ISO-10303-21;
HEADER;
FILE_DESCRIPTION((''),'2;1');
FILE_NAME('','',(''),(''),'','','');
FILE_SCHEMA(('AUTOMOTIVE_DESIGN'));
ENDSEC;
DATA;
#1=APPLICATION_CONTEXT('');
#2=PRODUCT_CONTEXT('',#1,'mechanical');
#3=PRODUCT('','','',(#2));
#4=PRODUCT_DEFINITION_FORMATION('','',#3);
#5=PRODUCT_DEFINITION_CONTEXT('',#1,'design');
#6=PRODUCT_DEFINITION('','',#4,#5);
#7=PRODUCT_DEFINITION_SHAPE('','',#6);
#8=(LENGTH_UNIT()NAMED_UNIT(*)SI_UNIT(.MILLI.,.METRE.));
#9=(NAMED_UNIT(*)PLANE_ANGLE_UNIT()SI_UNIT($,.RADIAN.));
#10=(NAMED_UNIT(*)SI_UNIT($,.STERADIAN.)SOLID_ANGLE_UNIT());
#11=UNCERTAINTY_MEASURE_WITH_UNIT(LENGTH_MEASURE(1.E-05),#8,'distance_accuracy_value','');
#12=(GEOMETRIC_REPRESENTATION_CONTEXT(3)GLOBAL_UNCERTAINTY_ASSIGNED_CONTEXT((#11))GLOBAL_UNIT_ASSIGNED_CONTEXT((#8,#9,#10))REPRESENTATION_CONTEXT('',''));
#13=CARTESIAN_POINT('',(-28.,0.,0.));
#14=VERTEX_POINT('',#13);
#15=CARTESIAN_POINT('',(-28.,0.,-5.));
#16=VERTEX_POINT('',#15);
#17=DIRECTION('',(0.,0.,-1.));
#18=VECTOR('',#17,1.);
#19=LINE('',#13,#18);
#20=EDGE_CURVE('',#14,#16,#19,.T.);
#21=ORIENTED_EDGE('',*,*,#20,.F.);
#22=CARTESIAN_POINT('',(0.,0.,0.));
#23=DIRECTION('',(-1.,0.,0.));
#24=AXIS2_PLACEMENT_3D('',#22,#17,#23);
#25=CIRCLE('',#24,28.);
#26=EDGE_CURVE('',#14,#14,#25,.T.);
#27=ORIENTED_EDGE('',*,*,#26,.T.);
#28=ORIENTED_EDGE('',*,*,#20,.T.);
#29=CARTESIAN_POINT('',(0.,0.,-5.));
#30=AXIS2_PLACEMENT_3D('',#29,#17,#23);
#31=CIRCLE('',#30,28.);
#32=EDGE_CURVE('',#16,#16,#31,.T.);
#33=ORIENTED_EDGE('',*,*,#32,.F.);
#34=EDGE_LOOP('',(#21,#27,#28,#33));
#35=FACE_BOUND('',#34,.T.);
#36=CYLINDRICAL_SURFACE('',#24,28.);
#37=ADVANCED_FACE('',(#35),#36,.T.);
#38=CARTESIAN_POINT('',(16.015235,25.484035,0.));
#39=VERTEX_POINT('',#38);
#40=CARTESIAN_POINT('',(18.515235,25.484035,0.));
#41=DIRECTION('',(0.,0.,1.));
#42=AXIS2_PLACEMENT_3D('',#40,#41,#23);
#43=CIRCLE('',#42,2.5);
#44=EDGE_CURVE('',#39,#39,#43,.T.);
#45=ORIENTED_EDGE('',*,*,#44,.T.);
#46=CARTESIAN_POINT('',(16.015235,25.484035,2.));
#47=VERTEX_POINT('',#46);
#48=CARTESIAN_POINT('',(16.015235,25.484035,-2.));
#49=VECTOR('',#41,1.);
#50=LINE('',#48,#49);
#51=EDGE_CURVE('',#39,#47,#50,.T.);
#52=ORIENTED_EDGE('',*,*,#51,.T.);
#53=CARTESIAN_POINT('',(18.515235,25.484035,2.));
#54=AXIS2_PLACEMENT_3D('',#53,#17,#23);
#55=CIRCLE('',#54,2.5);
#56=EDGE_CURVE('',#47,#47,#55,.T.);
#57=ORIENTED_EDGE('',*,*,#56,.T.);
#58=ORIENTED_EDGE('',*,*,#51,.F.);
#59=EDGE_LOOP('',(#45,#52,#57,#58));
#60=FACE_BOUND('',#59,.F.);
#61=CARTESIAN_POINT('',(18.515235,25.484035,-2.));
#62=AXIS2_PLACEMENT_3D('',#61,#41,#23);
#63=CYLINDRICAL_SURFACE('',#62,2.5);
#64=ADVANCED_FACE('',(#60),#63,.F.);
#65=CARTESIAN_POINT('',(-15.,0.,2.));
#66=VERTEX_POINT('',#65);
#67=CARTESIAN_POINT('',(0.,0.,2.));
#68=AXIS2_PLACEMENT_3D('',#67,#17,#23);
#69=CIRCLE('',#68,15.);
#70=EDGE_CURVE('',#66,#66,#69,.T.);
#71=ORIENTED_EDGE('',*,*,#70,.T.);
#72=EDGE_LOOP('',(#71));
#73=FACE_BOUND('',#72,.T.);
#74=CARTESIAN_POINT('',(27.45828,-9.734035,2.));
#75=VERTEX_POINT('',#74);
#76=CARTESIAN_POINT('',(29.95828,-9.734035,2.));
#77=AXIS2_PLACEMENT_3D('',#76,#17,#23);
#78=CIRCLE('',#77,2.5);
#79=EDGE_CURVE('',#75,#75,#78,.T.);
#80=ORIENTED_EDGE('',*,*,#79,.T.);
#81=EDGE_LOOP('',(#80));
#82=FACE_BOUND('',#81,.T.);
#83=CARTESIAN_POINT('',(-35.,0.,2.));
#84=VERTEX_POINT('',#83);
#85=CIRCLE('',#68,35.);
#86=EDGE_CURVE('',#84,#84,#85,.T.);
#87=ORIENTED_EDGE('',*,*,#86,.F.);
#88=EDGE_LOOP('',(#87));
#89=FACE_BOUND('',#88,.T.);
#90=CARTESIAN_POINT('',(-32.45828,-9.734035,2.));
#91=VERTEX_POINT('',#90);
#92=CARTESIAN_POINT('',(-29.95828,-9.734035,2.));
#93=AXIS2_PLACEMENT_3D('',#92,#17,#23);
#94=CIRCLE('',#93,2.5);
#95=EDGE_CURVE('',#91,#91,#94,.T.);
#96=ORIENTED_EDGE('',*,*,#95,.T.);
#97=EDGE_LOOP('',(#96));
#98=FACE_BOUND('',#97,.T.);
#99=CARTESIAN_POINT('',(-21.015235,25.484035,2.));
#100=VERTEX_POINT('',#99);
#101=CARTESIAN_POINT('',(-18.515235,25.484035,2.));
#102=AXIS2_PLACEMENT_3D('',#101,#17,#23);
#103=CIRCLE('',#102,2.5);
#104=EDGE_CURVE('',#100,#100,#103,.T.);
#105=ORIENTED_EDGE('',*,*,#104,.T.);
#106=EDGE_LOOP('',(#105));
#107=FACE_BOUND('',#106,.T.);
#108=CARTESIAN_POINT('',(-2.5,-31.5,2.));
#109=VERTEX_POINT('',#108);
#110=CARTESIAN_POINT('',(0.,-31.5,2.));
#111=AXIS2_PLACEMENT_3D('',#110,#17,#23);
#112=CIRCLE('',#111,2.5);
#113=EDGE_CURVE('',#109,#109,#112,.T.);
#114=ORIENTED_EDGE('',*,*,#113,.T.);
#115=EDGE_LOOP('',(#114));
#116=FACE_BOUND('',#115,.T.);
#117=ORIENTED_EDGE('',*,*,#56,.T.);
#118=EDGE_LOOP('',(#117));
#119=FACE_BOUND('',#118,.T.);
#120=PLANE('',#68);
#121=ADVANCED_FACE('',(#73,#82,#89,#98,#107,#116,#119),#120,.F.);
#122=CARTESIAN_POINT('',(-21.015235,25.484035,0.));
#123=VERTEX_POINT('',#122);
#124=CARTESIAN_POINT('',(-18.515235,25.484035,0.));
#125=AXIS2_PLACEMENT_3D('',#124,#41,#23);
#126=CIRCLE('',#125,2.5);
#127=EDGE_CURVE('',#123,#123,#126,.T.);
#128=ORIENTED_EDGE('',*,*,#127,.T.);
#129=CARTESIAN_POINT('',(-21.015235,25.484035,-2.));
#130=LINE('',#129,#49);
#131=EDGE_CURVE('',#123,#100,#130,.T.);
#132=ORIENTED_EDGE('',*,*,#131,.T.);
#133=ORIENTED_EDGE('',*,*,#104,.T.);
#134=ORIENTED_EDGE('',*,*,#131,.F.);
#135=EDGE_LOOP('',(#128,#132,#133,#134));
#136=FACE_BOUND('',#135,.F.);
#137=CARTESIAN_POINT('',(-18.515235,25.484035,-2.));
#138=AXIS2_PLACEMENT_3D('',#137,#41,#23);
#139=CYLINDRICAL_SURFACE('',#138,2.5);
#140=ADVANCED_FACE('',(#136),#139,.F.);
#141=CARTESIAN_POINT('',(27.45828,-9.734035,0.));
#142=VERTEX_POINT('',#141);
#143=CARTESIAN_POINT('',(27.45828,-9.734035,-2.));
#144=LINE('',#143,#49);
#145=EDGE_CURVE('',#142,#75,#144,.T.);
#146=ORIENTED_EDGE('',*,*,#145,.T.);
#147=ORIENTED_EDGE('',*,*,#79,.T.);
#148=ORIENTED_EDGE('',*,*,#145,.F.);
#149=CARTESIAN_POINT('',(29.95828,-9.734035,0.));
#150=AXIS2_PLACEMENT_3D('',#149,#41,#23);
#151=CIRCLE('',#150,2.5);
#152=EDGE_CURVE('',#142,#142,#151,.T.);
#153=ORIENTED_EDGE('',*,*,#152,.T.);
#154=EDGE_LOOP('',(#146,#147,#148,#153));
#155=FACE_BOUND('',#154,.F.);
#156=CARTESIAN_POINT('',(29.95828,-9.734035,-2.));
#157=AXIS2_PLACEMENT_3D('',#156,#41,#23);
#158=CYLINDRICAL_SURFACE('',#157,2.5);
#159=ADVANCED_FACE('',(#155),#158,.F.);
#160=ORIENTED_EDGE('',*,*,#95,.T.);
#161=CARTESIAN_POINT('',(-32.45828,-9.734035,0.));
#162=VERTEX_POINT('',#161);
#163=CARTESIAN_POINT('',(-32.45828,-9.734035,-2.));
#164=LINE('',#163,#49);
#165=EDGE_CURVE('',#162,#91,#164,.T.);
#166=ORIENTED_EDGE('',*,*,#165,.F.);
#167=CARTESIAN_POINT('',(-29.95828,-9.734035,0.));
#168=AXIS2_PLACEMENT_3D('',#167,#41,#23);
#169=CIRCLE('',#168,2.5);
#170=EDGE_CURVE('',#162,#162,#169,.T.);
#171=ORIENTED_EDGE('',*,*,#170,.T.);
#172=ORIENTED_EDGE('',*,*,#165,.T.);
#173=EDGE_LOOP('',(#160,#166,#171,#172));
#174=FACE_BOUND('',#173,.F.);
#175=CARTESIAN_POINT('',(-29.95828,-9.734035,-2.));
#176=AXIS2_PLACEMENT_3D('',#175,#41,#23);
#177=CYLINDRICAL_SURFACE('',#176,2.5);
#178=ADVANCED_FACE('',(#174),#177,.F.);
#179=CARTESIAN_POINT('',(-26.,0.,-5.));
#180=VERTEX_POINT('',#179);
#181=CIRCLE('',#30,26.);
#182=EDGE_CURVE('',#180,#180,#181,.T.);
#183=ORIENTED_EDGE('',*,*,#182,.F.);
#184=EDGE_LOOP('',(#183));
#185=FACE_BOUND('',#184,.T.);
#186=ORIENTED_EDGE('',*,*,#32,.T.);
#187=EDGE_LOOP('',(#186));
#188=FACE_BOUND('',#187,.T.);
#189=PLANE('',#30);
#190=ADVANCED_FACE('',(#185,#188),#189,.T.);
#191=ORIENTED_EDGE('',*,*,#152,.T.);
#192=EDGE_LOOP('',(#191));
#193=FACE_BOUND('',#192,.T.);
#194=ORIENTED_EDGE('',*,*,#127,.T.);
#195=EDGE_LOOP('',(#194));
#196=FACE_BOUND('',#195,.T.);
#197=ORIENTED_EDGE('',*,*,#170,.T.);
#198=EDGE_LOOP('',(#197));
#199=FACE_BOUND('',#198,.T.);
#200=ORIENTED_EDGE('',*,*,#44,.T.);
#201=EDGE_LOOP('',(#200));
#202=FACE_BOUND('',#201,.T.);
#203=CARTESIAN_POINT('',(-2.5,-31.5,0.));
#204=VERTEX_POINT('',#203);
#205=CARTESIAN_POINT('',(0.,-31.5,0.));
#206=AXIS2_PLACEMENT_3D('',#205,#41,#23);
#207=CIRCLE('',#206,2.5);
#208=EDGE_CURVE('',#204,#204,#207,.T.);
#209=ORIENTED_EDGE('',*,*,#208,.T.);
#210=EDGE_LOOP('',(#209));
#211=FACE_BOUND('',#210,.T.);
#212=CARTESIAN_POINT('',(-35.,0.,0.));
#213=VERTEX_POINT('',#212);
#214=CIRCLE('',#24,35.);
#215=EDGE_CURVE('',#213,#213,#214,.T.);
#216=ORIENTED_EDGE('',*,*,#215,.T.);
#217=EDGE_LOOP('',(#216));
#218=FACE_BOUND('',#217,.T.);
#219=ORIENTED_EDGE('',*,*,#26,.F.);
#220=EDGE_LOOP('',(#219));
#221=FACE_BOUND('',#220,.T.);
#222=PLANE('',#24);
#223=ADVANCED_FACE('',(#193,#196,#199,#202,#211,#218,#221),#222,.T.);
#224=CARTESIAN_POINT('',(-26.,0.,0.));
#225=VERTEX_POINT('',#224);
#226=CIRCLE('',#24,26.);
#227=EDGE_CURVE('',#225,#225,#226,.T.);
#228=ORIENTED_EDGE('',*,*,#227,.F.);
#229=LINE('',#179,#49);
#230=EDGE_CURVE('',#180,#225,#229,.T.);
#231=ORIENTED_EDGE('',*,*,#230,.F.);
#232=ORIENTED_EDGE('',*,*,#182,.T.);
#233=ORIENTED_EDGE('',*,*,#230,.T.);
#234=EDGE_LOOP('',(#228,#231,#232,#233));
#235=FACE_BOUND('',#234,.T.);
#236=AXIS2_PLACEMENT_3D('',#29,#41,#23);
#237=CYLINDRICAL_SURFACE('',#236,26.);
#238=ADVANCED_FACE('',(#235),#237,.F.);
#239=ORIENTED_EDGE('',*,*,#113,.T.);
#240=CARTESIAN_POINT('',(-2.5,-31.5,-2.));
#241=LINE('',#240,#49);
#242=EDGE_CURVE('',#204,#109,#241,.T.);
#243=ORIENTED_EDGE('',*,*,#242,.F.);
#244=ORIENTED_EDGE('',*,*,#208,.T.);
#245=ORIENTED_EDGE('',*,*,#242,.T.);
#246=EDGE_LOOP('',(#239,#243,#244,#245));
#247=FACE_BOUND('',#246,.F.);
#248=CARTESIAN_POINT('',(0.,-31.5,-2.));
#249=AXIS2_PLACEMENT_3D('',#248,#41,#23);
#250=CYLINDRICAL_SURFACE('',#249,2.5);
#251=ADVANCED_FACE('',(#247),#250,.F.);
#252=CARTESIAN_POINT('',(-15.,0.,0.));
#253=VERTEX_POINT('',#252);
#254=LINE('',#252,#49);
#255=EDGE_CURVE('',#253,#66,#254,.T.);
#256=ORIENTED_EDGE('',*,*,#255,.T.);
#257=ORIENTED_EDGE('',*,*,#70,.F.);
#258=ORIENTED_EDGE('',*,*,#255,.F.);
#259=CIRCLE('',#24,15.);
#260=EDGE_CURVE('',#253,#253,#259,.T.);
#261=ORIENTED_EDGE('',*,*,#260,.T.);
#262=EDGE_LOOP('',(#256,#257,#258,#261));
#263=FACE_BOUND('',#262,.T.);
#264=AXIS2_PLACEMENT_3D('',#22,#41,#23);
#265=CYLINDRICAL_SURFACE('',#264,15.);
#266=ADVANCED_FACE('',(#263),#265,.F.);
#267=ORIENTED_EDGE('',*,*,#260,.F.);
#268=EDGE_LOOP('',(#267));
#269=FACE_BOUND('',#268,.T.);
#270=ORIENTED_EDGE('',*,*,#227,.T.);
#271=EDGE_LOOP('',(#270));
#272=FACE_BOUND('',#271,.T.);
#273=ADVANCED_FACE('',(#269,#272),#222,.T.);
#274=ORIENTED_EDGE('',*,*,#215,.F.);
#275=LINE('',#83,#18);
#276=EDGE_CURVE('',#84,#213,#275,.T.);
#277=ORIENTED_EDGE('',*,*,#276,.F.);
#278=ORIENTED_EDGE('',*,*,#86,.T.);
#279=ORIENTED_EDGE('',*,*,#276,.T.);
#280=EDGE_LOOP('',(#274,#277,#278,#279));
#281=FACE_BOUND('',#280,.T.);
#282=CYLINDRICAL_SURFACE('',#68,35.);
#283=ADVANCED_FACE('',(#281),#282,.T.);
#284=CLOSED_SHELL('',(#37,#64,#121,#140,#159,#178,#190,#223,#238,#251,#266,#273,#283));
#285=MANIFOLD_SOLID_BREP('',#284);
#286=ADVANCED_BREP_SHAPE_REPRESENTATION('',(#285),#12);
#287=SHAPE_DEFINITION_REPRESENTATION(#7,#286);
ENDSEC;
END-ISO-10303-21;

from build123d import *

# Parameters (mm, degrees)
F3_D     = 5
F3_DEPTH = 2
F3_TIP   = 1.5021515476


with BuildPart() as f1:
    # F0 (on Front) → F1 (revolve)
    with BuildSketch(Plane.XZ):
        Polygon((-15, 2), (-35, 2), (-35, 0), (-28, 0), (-28, -5), (-26, -5), (-26, 0), (-15, 0), align=None)
    revolve(axis=Axis((0, 0, -1.2891339905), (0, 0, -1)))

    # F3
    with Locations(Plane(origin=(0, 0, 0), x_dir=(1, 0, 0), z_dir=(0, 0, -1))):
        with Locations((0, 31.5), (-29.9582802633, 9.7340353228), (-18.5152354472, -25.4840353228), (18.5152354472, -25.4840353228), (29.9582802633, 9.7340353228)):
            Hole(F3_D / 2, depth=F3_DEPTH)
            with Locations((0, 0, -(F3_DEPTH + F3_TIP / 2))):  # 118° drill point
                Cone(0, F3_D / 2, F3_TIP, mode=Mode.SUBTRACT)


solid = f1.part
